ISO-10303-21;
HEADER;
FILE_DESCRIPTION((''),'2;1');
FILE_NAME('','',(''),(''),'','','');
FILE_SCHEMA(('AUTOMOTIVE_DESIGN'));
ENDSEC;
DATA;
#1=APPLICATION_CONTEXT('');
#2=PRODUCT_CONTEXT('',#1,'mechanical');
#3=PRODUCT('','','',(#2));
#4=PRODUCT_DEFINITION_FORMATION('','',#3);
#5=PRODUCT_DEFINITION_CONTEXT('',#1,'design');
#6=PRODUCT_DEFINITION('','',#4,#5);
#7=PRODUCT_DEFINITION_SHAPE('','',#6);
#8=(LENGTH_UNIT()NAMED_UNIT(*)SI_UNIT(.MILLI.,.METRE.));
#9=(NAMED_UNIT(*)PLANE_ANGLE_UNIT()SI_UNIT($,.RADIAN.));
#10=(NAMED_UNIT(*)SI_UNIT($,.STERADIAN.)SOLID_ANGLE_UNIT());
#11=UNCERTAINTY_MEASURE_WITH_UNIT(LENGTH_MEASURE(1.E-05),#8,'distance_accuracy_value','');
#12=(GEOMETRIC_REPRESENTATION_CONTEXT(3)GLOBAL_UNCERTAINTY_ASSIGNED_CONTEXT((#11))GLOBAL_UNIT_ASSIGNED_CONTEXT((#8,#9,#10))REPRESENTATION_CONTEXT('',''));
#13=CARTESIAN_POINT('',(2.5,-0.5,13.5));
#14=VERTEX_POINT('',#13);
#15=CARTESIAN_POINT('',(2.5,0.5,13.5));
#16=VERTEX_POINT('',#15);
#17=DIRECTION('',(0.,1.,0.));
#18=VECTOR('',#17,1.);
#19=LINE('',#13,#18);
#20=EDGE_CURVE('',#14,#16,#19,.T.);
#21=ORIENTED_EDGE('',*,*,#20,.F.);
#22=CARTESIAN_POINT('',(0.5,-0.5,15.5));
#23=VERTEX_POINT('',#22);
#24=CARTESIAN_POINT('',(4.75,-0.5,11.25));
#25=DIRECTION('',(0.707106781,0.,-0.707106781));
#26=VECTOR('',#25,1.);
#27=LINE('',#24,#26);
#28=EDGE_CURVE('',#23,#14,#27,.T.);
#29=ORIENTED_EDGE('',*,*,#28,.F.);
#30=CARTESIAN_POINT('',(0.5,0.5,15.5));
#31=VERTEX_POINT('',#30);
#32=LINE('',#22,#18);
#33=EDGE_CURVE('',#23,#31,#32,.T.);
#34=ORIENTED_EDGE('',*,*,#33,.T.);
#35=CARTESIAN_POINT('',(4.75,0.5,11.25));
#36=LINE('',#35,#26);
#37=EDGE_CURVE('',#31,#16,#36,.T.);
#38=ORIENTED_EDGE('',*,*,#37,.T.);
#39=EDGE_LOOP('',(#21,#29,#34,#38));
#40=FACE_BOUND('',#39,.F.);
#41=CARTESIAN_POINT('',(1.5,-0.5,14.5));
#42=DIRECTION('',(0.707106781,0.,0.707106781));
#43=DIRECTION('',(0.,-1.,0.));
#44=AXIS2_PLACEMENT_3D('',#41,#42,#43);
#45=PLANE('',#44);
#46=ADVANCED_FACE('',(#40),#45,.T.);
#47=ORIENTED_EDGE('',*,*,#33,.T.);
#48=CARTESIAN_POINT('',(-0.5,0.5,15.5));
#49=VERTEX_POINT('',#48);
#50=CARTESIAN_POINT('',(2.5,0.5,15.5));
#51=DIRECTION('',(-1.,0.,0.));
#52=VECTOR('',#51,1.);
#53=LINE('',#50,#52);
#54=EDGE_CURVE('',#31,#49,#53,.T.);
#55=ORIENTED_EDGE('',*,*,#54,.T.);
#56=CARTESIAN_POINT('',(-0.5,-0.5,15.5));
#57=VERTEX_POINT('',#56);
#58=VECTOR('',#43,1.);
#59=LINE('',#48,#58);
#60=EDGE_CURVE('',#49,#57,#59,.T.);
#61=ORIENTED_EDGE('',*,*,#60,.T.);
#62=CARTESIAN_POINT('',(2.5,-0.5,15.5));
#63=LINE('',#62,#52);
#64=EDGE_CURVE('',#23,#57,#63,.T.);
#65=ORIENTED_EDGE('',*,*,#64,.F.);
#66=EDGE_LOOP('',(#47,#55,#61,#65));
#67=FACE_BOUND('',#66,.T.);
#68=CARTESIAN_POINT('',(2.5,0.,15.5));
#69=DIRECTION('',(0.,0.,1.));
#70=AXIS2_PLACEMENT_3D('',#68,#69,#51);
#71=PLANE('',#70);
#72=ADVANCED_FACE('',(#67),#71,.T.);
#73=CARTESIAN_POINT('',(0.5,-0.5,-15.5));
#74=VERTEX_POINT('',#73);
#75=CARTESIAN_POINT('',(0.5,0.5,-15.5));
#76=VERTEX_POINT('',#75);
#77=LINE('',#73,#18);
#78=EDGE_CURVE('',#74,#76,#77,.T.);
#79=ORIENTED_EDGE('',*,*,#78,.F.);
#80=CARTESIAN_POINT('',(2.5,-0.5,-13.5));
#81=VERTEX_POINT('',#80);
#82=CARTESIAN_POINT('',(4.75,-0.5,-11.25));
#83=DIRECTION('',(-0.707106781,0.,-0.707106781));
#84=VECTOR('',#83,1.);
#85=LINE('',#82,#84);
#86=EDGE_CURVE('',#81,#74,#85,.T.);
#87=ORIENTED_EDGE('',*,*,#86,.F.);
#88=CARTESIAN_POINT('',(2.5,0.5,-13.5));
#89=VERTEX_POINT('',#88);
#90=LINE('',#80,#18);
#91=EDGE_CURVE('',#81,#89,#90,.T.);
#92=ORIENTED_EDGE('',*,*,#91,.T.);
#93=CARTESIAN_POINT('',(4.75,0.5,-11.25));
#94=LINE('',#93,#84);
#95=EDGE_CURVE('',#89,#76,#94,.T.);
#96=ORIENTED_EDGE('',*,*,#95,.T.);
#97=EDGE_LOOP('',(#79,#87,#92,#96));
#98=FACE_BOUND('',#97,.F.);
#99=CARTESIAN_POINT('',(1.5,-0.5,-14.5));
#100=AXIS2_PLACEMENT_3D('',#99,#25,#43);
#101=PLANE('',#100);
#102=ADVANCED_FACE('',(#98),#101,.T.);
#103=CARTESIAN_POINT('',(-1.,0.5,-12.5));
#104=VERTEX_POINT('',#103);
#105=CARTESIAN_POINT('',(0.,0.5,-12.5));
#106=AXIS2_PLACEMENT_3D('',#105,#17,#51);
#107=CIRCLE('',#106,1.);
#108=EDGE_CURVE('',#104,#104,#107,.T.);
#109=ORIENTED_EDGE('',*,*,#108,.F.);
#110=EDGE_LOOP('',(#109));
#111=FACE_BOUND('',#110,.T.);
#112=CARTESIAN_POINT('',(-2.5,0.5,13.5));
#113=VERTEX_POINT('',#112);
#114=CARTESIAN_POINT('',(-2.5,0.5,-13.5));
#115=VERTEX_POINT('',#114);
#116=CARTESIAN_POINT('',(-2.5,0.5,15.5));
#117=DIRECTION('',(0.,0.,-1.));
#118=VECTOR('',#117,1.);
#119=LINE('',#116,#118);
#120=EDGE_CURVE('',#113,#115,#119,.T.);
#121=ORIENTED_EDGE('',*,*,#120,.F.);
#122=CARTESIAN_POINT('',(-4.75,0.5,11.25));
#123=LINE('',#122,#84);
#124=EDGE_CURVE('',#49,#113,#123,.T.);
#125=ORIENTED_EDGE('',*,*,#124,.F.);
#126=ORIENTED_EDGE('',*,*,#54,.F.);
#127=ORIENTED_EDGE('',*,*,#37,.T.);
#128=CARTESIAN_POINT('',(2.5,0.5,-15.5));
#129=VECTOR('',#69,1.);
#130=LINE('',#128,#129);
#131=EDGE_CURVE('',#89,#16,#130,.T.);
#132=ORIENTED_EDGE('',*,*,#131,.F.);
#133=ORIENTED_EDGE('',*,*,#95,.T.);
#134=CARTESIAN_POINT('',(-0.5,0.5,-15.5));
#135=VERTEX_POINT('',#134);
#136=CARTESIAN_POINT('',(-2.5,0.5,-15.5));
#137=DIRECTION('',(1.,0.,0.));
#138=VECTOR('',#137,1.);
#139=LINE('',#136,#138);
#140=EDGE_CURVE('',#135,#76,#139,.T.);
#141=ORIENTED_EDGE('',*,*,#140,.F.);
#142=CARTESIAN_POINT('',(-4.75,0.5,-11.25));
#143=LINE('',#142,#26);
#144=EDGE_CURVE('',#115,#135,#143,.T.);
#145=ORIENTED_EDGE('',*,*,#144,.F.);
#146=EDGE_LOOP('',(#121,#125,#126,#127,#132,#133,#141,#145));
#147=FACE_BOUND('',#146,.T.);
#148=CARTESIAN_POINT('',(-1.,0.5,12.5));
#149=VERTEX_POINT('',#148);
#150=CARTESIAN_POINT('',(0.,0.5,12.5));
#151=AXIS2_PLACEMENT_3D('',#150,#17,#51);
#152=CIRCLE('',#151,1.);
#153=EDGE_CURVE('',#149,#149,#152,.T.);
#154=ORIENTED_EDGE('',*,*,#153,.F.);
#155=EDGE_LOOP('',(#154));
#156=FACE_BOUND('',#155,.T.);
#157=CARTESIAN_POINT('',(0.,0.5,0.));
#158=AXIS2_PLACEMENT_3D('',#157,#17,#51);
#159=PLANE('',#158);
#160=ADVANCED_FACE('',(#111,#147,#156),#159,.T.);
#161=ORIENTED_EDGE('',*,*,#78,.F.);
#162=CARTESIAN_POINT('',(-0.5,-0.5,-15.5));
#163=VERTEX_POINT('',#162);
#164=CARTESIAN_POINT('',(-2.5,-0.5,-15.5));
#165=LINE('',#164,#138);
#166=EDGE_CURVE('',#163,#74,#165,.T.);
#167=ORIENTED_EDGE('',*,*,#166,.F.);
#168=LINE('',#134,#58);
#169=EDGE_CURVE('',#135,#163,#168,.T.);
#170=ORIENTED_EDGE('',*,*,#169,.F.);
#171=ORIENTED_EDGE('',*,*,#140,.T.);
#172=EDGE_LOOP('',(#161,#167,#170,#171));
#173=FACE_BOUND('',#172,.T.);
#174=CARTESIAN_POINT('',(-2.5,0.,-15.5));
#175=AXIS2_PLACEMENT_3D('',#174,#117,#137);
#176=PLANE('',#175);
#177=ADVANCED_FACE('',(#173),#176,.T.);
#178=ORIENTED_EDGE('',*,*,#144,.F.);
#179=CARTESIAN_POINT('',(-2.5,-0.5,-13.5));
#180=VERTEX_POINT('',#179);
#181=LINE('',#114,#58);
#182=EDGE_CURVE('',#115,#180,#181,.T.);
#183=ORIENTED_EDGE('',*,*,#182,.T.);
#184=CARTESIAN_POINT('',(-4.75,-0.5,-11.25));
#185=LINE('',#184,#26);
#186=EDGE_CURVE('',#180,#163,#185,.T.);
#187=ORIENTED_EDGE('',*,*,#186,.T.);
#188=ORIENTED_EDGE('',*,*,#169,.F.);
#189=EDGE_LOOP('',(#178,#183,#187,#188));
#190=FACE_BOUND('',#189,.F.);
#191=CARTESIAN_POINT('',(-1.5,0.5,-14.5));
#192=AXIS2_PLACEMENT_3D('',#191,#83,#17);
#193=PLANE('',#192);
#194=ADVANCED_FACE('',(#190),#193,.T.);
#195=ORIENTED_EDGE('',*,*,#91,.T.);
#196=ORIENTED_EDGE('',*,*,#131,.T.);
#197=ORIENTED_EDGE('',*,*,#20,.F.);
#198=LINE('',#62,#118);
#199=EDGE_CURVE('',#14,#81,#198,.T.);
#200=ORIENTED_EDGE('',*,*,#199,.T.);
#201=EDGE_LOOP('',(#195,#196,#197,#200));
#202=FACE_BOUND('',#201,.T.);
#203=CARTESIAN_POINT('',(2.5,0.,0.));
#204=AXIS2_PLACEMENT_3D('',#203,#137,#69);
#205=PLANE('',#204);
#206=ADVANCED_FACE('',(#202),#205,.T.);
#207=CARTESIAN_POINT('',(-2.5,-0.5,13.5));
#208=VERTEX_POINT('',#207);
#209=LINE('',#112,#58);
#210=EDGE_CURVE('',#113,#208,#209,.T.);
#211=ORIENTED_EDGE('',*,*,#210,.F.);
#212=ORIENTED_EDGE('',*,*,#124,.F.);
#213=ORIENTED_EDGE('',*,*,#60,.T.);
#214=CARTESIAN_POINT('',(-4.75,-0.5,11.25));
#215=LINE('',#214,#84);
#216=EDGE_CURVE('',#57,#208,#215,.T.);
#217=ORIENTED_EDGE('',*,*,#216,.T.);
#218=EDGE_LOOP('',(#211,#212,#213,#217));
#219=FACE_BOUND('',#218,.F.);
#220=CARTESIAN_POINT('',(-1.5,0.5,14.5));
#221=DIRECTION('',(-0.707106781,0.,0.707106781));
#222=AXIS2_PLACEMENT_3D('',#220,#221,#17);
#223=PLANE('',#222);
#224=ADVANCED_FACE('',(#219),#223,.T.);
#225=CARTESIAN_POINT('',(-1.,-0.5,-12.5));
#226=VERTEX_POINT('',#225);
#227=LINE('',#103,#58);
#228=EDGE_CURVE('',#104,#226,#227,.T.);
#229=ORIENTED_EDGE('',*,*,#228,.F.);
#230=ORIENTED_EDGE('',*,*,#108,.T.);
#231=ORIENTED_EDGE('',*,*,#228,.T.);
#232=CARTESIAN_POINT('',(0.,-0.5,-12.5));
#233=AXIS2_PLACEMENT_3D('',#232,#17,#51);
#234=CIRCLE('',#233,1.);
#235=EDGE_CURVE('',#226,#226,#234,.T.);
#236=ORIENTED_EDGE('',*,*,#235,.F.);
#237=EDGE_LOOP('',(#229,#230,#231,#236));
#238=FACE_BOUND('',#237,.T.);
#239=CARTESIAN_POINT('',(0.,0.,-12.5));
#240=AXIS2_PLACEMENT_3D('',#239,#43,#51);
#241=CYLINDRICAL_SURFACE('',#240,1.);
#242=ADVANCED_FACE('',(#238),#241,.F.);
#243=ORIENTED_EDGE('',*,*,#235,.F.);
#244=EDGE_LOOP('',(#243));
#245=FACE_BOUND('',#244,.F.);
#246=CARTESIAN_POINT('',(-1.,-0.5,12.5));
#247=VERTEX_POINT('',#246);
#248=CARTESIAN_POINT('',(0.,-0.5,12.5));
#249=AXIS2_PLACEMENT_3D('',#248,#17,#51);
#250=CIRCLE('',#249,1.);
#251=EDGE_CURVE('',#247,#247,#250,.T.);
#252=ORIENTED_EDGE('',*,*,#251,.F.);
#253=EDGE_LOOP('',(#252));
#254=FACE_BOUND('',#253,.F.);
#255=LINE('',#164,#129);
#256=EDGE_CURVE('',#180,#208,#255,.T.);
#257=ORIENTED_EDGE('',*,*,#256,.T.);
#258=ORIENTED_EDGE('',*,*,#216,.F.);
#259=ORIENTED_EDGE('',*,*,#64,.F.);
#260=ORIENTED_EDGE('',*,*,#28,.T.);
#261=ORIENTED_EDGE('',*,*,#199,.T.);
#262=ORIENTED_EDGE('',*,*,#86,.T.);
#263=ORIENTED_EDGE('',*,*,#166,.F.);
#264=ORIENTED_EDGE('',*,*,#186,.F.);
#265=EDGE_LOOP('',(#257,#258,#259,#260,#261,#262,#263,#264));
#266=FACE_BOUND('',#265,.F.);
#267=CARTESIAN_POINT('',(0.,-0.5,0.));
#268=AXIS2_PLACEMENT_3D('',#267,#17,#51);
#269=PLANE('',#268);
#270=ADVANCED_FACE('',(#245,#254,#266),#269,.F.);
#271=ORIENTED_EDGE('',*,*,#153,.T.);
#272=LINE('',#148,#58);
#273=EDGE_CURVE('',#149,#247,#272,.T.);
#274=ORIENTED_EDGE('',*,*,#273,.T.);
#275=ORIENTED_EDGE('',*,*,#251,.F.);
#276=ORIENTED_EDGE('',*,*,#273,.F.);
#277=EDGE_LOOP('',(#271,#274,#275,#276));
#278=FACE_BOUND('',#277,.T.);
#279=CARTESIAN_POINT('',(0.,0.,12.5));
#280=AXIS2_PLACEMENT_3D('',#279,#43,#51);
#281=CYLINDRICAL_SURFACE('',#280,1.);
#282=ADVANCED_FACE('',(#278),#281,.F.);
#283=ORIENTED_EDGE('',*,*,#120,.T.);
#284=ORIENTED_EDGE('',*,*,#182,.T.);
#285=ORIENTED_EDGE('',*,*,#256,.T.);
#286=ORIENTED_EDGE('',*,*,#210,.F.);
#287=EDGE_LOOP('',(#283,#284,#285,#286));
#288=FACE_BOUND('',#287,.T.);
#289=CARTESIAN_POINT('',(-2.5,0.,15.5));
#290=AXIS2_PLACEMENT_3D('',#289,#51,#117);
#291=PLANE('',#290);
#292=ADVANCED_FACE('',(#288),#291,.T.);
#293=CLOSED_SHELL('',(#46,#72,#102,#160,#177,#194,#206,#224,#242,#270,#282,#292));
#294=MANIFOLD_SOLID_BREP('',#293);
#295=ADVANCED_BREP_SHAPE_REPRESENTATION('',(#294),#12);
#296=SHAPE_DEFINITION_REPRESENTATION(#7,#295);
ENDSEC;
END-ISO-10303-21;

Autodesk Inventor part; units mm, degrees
ref_plane "YZ Plane" through (0, 0, 0) normal (1, 0, 0) x (0, 1, 0)
ref_plane "XZ Plane" through (0, 0, 0) normal (0, 1, 0) x (-1, 0, 0)
ref_plane "XY Plane" through (0, 0, 0) normal (0, 0, 1) x (1, 0, 0)
sketch "Skizze1" plane through (0, 0, 0) normal (0, 1, 0) x (-1, 0, 0)
  line L0 (-2.5, 15.5) -> (2.5, 15.5)
  line L1 (2.5, 15.5) -> (2.5, -15.5)
  line L2 (2.5, -15.5) -> (-2.5, -15.5)
  line L3 (-2.5, -15.5) -> (-2.5, 15.5)
  line L4 (-2.5, 15.5) -> (2.5, -15.5) construction
  line L5 (2.5, 15.5) -> (-2.5, -15.5) construction
  circle A0 centre (0, 12.5) radius 1
  circle A1 centre (0, -12.5) radius 1
  line L6 (3.5, 0) -> (-3.5, 0) projected
  point P0 (0, 0)
  point P1 (0, 0)
  dimension "d1" = 5
  dimension "d2" = 3
  dimension "d3" = 2
  dimension "d9" = 25
extrude "Extrusion1" add sketch "Skizze1" along normal mid plane 1
chamfer "Fase1" distance 2 angle 45 4 edges at (-2.5, 0, 15.5) (2.5, 0, 15.5) (-2.5, 0, -15.5) (2.5, 0, -15.5)
properties part number "Schenkel"
